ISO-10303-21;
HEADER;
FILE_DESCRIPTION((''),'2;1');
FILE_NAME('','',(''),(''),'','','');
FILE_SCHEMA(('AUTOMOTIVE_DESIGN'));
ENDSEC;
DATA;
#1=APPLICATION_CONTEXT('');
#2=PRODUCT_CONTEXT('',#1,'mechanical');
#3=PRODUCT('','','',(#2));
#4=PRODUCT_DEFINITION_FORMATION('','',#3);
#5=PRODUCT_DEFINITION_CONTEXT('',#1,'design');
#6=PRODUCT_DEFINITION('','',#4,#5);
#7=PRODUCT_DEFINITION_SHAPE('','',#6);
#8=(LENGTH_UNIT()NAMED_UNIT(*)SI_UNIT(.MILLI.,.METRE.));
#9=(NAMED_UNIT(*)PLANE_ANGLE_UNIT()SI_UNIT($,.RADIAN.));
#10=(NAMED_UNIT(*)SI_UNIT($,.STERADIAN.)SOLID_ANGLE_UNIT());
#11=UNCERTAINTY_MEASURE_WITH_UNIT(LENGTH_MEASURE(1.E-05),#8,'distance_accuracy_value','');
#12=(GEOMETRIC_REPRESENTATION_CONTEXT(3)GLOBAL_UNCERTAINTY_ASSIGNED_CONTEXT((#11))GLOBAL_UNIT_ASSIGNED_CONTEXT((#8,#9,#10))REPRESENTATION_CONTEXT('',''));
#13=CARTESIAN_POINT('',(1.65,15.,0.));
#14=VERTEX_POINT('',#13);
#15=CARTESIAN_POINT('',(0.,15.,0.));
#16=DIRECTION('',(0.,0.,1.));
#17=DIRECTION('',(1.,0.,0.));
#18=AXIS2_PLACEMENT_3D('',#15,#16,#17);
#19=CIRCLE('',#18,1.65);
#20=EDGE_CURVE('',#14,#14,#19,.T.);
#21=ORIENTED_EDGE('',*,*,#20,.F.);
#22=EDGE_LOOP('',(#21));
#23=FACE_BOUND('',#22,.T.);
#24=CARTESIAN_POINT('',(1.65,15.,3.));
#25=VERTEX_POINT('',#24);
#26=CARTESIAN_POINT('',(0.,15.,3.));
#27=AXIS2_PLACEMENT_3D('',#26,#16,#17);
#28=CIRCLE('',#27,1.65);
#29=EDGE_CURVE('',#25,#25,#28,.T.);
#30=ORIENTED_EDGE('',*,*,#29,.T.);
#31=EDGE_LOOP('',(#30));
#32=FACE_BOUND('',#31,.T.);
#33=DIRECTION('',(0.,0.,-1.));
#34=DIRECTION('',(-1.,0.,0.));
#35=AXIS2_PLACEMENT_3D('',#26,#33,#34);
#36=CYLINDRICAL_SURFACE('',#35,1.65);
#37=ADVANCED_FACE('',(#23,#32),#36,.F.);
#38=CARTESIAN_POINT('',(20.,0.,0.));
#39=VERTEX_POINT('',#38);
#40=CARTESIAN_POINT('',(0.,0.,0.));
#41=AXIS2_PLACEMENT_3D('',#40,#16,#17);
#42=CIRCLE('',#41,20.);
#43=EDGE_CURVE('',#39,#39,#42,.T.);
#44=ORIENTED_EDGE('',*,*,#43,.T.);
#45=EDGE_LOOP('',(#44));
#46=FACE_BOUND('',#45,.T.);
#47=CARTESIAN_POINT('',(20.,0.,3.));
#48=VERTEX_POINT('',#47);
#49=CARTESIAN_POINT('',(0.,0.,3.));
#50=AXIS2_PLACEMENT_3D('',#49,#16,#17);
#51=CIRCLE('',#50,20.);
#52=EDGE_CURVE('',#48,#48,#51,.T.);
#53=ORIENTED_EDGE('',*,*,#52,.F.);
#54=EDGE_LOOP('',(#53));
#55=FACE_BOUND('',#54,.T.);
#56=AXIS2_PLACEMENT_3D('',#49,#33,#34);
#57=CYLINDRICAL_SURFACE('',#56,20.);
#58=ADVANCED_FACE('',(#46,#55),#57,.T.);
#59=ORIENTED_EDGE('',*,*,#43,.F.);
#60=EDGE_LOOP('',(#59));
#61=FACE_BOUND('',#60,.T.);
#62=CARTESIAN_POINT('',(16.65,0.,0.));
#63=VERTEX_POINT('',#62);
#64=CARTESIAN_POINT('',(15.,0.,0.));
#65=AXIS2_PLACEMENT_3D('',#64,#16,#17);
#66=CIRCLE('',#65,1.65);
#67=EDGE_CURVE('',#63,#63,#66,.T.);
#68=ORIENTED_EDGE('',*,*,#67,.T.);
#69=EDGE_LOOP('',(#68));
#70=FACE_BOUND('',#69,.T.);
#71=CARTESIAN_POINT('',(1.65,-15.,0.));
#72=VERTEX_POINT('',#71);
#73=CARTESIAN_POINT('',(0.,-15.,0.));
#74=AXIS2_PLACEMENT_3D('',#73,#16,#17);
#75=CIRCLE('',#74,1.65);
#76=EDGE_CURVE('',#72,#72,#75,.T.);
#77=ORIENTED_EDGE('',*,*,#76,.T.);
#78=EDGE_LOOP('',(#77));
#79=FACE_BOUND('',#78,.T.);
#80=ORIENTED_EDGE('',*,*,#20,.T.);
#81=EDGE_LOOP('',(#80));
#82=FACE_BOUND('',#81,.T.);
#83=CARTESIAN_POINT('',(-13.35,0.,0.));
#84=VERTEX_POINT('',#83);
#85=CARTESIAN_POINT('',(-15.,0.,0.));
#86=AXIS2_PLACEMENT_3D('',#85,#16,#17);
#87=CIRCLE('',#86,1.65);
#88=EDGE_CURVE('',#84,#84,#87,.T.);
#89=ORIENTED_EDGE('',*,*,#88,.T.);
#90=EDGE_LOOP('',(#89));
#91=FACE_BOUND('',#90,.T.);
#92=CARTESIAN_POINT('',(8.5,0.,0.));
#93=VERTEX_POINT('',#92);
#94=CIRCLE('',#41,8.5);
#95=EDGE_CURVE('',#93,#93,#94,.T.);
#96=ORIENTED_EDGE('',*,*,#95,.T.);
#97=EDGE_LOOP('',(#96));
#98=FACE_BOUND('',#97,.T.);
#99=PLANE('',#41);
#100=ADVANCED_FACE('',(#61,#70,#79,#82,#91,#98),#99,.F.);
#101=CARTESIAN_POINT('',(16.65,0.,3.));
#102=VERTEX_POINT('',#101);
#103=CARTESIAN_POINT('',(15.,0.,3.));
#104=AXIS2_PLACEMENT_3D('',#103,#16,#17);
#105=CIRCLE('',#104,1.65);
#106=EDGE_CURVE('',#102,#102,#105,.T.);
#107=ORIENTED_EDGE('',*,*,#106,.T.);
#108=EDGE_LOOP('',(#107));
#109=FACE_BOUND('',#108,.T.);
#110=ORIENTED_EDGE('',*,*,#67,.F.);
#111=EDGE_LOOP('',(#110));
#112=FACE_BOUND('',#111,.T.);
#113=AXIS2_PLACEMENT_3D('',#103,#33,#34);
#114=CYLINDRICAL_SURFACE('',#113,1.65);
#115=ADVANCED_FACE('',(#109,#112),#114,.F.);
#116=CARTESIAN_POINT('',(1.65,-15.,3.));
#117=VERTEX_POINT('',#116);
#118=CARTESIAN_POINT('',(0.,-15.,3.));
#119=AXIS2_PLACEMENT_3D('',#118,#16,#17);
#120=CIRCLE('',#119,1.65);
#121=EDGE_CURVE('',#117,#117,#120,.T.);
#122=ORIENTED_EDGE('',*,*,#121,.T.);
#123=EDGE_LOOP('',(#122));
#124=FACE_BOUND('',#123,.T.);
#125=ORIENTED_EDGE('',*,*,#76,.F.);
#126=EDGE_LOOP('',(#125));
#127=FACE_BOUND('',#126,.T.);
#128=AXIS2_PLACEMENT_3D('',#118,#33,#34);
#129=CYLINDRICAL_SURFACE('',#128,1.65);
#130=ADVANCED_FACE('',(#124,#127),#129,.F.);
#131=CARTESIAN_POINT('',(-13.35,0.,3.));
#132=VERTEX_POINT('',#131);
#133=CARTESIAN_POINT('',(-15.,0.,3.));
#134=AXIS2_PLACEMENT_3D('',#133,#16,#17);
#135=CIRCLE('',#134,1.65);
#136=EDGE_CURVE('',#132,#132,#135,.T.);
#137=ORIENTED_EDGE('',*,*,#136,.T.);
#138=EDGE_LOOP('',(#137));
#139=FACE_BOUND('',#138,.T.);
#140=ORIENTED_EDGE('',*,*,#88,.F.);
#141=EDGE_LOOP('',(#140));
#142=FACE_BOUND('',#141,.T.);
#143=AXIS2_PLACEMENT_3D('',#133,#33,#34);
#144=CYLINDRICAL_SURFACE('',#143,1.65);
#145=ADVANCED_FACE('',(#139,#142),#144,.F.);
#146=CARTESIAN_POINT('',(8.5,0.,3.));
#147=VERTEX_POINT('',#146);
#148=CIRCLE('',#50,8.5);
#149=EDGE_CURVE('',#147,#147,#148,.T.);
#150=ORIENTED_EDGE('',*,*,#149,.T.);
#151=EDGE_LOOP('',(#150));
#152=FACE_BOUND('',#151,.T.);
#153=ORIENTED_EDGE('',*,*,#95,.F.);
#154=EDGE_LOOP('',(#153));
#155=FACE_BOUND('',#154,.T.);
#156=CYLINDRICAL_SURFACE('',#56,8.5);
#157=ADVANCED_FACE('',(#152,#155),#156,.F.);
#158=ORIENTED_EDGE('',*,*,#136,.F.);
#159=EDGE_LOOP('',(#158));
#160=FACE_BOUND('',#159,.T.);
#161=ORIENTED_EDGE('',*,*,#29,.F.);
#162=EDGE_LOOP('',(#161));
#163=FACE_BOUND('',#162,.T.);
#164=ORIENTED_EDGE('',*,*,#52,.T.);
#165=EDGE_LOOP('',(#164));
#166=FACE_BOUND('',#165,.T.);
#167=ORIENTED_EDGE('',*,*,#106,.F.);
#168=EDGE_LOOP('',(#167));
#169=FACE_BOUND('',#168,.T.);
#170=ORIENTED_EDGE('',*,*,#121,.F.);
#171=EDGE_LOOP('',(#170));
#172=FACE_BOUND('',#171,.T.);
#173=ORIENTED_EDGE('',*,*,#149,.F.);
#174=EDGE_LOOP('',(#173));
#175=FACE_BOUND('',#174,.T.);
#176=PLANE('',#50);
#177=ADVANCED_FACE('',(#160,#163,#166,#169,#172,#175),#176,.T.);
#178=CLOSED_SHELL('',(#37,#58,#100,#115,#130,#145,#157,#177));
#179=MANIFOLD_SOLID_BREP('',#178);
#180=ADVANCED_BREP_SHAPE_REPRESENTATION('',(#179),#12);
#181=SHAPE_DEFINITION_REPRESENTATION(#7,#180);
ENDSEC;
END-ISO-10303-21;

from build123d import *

# Parameters (mm, degrees)
SKETCH_2_R      = 20
SKETCH_2_R_2    = 8.5
SKETCH_2_R_3    = 1.65
EXTRUDE_1_DEPTH = 3


with BuildPart() as part:
    # 草图2 → 凸台-拉伸1 (new body)
    with BuildSketch(Plane.XY):
        Circle(SKETCH_2_R)
        Circle(SKETCH_2_R_2, mode=Mode.SUBTRACT)
        with Locations((0, 15)):
            Circle(SKETCH_2_R_3, mode=Mode.SUBTRACT)
        with Locations((15, 0)):
            Circle(SKETCH_2_R_3, mode=Mode.SUBTRACT)
        with Locations((-15, 0)):
            Circle(SKETCH_2_R_3, mode=Mode.SUBTRACT)
        with Locations((0, -15)):
            Circle(SKETCH_2_R_3, mode=Mode.SUBTRACT)
    extrude(amount=EXTRUDE_1_DEPTH)


solid = part.part
